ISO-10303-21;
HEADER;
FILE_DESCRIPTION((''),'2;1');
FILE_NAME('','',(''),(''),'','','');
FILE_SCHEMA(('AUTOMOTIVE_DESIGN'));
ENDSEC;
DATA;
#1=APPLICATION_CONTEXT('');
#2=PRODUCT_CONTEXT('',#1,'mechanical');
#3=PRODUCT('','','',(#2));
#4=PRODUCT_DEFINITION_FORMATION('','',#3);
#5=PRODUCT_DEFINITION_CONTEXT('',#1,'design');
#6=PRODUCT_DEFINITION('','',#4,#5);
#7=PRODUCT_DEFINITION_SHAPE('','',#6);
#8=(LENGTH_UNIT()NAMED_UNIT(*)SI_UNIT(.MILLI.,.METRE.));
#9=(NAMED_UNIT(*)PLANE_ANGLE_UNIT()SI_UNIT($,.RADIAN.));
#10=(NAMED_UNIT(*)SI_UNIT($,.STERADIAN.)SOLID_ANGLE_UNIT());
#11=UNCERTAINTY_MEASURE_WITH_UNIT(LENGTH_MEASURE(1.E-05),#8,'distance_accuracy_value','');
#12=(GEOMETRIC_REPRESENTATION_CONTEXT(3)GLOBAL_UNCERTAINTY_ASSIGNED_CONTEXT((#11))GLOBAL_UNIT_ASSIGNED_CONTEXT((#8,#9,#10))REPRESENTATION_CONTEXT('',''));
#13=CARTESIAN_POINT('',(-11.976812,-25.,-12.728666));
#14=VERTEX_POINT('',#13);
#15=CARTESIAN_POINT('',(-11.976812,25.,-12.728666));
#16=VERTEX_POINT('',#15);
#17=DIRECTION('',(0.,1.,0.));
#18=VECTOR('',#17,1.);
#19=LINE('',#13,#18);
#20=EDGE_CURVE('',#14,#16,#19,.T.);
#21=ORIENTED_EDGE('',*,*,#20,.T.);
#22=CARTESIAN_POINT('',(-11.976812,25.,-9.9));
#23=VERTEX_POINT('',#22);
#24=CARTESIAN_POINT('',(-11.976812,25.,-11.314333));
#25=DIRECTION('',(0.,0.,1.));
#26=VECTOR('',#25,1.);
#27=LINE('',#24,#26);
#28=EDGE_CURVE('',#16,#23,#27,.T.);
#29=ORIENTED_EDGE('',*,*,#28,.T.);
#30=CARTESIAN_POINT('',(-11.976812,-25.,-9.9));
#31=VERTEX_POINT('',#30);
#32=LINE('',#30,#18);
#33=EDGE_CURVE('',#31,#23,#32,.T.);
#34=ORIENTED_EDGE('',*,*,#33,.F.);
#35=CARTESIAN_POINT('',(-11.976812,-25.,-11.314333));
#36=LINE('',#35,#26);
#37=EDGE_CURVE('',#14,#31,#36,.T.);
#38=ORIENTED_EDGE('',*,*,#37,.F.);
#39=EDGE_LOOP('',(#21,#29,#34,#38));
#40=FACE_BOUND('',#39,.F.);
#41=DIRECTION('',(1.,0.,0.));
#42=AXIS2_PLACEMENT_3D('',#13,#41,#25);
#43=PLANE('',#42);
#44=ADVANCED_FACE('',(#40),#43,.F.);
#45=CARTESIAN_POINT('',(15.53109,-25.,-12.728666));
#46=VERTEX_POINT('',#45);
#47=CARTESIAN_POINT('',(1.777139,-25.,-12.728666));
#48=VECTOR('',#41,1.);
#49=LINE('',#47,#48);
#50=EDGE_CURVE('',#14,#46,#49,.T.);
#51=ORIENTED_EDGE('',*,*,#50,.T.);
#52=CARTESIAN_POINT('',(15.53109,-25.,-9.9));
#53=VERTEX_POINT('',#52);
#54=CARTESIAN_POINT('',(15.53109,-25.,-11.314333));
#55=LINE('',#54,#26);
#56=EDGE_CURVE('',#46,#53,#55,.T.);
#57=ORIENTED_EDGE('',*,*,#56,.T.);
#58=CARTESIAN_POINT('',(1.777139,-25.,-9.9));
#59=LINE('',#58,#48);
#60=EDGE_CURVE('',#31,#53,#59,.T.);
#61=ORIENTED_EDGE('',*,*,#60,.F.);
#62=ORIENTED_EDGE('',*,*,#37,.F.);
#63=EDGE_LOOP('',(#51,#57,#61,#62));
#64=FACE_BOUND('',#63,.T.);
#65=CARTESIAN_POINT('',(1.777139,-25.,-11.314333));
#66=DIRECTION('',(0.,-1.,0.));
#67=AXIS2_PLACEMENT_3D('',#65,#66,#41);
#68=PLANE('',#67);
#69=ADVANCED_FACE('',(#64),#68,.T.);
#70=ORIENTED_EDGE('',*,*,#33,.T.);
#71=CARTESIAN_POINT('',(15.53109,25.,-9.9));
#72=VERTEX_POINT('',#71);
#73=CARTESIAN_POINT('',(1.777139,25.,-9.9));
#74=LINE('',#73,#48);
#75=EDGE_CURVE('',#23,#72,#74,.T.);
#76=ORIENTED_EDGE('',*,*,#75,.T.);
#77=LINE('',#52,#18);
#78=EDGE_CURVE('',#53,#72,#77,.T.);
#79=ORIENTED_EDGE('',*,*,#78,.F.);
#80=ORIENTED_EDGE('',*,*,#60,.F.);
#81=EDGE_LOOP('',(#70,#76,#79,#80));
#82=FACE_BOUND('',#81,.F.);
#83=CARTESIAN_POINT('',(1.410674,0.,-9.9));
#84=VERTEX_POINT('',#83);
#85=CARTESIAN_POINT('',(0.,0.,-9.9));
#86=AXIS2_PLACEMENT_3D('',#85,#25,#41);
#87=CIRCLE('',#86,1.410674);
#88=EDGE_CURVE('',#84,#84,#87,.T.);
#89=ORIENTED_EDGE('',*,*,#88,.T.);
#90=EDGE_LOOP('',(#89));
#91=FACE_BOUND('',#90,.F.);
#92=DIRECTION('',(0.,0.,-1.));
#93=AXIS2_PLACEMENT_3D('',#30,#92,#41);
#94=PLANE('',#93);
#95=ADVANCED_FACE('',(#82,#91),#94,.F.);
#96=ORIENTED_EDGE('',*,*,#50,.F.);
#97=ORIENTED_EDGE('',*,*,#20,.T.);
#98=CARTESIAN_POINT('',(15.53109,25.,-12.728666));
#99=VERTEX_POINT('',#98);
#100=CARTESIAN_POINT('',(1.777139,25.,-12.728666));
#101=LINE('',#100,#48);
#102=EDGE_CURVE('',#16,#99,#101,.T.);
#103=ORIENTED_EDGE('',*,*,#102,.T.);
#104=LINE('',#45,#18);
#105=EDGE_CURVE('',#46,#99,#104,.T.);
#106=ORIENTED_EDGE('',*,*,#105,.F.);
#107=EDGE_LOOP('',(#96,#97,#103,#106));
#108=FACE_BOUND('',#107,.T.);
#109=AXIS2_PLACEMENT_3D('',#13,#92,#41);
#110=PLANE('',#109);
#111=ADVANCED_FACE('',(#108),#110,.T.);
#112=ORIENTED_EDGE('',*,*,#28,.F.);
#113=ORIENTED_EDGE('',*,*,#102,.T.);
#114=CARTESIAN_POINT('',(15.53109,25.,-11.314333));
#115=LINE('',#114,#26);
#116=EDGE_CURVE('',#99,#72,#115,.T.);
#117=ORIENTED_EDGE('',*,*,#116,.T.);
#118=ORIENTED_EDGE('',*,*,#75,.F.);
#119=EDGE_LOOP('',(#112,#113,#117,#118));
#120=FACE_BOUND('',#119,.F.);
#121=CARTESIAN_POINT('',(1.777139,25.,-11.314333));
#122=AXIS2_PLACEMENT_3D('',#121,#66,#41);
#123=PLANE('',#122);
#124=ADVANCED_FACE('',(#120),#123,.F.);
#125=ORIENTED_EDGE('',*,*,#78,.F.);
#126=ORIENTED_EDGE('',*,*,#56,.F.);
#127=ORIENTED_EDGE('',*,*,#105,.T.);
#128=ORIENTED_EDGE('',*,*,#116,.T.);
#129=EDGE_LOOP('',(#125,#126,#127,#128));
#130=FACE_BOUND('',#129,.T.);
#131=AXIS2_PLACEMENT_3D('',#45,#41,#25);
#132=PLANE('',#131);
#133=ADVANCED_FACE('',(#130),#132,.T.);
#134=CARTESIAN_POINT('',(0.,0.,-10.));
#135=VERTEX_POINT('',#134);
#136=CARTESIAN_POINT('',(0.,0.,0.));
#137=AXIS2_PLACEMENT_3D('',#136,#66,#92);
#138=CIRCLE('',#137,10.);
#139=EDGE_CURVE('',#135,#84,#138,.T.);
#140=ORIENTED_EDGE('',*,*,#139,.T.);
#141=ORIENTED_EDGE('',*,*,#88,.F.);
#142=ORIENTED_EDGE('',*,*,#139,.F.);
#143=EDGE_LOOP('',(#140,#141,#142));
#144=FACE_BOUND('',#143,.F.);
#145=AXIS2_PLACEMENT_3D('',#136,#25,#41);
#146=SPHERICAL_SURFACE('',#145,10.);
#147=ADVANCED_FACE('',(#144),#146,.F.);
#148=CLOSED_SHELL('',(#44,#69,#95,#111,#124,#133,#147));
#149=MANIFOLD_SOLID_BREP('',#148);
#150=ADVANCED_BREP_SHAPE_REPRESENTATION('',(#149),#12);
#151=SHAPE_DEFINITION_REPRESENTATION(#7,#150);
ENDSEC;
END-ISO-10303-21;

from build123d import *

# Parameters (mm, degrees)
F3_W     = 27.507902
F3_H     = 2.828666
F4_DEPTH = 50


with BuildPart() as f1:
    # F0 (on Front) → F1 (revolve)
    with BuildSketch(Plane.XZ):
        with BuildLine():
            Line((0, 10), (0, -10))
            ThreePointArc((0, -10), (10, 0), (0, 10))
        make_face()
    revolve(axis=Axis((0, 0, 0), (0, 0, 1)))


with BuildPart() as f4:
    # F3 (on offset) → F4 (new body)
    with BuildSketch(Plane.XZ.offset(25)):
        with Locations((1.777139, -11.314333)):
            Rectangle(F3_W, F3_H)
    extrude(amount=-F4_DEPTH)

    # F5: cut F1
    add(f1.part, mode=Mode.SUBTRACT)


solid = f4.part
